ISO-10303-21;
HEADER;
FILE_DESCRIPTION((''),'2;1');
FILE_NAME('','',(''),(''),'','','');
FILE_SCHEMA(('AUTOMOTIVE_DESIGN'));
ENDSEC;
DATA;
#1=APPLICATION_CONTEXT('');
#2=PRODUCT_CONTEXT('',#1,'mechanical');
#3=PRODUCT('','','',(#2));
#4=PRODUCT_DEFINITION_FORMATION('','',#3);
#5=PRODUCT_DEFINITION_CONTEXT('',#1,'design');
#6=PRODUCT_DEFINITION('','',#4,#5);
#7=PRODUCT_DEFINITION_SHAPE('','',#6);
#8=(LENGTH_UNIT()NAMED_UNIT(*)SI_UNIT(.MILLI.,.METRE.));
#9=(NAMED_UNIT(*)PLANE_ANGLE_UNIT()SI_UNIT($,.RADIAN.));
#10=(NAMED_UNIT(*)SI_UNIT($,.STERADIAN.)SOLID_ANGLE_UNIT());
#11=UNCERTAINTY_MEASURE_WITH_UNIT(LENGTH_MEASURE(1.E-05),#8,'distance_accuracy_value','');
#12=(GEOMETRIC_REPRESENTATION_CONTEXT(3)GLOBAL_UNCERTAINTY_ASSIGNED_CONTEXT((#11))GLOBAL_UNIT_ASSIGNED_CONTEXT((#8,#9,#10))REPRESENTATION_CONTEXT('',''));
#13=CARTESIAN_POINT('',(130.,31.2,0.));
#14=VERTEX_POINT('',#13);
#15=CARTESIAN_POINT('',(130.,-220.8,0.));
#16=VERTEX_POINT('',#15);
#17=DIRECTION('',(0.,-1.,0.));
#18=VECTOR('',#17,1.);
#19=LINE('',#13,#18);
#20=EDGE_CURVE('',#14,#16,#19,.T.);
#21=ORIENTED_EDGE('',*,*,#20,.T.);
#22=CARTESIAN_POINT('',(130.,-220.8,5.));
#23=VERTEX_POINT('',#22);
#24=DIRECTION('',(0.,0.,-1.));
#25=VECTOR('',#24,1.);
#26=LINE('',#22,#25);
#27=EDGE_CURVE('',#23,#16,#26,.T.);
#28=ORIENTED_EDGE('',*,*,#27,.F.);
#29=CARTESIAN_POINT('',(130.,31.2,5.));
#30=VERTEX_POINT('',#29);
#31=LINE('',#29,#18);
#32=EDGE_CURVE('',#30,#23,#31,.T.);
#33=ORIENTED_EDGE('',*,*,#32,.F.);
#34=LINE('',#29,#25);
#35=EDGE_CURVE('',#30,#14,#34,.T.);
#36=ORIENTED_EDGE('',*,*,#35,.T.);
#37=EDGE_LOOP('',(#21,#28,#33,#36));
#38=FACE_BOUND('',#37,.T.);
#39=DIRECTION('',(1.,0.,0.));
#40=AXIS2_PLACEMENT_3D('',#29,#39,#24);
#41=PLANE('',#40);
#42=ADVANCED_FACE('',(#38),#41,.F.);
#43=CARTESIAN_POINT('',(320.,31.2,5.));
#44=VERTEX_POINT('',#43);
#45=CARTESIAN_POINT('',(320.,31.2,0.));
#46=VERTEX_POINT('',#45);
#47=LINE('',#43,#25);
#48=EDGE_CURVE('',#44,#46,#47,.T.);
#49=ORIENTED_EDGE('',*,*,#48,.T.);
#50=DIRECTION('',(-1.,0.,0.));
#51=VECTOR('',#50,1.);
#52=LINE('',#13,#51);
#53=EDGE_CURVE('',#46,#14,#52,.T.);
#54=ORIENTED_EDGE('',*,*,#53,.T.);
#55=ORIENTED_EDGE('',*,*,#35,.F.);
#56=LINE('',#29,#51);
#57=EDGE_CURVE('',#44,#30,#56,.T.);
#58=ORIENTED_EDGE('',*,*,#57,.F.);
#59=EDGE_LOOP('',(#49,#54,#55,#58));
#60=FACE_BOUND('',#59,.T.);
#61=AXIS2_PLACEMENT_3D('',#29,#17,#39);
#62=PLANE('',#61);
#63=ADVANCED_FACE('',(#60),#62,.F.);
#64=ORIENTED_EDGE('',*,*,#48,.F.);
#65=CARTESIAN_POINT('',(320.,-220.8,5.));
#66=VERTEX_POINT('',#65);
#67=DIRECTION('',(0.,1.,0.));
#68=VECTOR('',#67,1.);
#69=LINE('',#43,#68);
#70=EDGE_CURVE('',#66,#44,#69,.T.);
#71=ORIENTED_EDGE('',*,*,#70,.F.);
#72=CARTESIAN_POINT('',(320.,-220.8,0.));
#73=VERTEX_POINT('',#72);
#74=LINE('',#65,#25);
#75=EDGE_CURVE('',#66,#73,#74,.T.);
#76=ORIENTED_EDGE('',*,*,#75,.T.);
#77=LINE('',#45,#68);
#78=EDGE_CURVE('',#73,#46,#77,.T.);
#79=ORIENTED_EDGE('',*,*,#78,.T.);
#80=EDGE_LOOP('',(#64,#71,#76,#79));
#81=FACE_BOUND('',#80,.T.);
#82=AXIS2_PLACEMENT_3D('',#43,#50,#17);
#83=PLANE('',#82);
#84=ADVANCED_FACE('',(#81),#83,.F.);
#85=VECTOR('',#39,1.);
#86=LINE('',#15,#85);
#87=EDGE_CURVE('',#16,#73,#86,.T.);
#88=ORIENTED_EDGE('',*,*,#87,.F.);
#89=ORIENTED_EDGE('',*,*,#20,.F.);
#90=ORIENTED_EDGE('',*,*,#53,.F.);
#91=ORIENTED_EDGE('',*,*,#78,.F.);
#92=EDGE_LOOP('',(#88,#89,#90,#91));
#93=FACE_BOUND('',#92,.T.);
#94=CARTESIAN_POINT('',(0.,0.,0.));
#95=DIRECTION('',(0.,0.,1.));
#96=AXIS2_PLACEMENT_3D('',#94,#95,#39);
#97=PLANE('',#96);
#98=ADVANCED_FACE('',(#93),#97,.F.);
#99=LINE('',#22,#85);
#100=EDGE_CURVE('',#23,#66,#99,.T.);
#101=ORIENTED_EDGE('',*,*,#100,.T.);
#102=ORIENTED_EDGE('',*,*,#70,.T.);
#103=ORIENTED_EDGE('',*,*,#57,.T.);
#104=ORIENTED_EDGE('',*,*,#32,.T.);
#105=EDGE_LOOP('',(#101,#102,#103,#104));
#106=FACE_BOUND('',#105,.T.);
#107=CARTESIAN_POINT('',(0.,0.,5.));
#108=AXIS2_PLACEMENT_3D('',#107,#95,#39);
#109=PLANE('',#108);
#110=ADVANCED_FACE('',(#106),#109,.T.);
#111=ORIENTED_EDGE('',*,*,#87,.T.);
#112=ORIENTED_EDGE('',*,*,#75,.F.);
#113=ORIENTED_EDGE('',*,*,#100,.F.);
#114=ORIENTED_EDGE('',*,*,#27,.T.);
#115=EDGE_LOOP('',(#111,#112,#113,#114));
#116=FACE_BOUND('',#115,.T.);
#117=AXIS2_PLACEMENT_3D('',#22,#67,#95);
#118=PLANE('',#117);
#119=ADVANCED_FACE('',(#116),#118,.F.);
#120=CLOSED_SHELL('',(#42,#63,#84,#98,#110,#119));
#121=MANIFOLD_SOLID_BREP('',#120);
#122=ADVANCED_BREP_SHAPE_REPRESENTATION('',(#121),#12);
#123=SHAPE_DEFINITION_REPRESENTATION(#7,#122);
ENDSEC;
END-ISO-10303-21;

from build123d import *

# Parameters (mm, degrees)
ESQUISSE1_W        = 190
ESQUISSE1_H        = 252
BOSS_EXTRU_1_DEPTH = 5


with BuildPart() as part:
    # Esquisse1 → Boss.-Extru.1 (new body)
    with BuildSketch(Plane.XY):
        with Locations((225, -94.8)):
            Rectangle(ESQUISSE1_W, ESQUISSE1_H)
    extrude(amount=BOSS_EXTRU_1_DEPTH)


solid = part.part
